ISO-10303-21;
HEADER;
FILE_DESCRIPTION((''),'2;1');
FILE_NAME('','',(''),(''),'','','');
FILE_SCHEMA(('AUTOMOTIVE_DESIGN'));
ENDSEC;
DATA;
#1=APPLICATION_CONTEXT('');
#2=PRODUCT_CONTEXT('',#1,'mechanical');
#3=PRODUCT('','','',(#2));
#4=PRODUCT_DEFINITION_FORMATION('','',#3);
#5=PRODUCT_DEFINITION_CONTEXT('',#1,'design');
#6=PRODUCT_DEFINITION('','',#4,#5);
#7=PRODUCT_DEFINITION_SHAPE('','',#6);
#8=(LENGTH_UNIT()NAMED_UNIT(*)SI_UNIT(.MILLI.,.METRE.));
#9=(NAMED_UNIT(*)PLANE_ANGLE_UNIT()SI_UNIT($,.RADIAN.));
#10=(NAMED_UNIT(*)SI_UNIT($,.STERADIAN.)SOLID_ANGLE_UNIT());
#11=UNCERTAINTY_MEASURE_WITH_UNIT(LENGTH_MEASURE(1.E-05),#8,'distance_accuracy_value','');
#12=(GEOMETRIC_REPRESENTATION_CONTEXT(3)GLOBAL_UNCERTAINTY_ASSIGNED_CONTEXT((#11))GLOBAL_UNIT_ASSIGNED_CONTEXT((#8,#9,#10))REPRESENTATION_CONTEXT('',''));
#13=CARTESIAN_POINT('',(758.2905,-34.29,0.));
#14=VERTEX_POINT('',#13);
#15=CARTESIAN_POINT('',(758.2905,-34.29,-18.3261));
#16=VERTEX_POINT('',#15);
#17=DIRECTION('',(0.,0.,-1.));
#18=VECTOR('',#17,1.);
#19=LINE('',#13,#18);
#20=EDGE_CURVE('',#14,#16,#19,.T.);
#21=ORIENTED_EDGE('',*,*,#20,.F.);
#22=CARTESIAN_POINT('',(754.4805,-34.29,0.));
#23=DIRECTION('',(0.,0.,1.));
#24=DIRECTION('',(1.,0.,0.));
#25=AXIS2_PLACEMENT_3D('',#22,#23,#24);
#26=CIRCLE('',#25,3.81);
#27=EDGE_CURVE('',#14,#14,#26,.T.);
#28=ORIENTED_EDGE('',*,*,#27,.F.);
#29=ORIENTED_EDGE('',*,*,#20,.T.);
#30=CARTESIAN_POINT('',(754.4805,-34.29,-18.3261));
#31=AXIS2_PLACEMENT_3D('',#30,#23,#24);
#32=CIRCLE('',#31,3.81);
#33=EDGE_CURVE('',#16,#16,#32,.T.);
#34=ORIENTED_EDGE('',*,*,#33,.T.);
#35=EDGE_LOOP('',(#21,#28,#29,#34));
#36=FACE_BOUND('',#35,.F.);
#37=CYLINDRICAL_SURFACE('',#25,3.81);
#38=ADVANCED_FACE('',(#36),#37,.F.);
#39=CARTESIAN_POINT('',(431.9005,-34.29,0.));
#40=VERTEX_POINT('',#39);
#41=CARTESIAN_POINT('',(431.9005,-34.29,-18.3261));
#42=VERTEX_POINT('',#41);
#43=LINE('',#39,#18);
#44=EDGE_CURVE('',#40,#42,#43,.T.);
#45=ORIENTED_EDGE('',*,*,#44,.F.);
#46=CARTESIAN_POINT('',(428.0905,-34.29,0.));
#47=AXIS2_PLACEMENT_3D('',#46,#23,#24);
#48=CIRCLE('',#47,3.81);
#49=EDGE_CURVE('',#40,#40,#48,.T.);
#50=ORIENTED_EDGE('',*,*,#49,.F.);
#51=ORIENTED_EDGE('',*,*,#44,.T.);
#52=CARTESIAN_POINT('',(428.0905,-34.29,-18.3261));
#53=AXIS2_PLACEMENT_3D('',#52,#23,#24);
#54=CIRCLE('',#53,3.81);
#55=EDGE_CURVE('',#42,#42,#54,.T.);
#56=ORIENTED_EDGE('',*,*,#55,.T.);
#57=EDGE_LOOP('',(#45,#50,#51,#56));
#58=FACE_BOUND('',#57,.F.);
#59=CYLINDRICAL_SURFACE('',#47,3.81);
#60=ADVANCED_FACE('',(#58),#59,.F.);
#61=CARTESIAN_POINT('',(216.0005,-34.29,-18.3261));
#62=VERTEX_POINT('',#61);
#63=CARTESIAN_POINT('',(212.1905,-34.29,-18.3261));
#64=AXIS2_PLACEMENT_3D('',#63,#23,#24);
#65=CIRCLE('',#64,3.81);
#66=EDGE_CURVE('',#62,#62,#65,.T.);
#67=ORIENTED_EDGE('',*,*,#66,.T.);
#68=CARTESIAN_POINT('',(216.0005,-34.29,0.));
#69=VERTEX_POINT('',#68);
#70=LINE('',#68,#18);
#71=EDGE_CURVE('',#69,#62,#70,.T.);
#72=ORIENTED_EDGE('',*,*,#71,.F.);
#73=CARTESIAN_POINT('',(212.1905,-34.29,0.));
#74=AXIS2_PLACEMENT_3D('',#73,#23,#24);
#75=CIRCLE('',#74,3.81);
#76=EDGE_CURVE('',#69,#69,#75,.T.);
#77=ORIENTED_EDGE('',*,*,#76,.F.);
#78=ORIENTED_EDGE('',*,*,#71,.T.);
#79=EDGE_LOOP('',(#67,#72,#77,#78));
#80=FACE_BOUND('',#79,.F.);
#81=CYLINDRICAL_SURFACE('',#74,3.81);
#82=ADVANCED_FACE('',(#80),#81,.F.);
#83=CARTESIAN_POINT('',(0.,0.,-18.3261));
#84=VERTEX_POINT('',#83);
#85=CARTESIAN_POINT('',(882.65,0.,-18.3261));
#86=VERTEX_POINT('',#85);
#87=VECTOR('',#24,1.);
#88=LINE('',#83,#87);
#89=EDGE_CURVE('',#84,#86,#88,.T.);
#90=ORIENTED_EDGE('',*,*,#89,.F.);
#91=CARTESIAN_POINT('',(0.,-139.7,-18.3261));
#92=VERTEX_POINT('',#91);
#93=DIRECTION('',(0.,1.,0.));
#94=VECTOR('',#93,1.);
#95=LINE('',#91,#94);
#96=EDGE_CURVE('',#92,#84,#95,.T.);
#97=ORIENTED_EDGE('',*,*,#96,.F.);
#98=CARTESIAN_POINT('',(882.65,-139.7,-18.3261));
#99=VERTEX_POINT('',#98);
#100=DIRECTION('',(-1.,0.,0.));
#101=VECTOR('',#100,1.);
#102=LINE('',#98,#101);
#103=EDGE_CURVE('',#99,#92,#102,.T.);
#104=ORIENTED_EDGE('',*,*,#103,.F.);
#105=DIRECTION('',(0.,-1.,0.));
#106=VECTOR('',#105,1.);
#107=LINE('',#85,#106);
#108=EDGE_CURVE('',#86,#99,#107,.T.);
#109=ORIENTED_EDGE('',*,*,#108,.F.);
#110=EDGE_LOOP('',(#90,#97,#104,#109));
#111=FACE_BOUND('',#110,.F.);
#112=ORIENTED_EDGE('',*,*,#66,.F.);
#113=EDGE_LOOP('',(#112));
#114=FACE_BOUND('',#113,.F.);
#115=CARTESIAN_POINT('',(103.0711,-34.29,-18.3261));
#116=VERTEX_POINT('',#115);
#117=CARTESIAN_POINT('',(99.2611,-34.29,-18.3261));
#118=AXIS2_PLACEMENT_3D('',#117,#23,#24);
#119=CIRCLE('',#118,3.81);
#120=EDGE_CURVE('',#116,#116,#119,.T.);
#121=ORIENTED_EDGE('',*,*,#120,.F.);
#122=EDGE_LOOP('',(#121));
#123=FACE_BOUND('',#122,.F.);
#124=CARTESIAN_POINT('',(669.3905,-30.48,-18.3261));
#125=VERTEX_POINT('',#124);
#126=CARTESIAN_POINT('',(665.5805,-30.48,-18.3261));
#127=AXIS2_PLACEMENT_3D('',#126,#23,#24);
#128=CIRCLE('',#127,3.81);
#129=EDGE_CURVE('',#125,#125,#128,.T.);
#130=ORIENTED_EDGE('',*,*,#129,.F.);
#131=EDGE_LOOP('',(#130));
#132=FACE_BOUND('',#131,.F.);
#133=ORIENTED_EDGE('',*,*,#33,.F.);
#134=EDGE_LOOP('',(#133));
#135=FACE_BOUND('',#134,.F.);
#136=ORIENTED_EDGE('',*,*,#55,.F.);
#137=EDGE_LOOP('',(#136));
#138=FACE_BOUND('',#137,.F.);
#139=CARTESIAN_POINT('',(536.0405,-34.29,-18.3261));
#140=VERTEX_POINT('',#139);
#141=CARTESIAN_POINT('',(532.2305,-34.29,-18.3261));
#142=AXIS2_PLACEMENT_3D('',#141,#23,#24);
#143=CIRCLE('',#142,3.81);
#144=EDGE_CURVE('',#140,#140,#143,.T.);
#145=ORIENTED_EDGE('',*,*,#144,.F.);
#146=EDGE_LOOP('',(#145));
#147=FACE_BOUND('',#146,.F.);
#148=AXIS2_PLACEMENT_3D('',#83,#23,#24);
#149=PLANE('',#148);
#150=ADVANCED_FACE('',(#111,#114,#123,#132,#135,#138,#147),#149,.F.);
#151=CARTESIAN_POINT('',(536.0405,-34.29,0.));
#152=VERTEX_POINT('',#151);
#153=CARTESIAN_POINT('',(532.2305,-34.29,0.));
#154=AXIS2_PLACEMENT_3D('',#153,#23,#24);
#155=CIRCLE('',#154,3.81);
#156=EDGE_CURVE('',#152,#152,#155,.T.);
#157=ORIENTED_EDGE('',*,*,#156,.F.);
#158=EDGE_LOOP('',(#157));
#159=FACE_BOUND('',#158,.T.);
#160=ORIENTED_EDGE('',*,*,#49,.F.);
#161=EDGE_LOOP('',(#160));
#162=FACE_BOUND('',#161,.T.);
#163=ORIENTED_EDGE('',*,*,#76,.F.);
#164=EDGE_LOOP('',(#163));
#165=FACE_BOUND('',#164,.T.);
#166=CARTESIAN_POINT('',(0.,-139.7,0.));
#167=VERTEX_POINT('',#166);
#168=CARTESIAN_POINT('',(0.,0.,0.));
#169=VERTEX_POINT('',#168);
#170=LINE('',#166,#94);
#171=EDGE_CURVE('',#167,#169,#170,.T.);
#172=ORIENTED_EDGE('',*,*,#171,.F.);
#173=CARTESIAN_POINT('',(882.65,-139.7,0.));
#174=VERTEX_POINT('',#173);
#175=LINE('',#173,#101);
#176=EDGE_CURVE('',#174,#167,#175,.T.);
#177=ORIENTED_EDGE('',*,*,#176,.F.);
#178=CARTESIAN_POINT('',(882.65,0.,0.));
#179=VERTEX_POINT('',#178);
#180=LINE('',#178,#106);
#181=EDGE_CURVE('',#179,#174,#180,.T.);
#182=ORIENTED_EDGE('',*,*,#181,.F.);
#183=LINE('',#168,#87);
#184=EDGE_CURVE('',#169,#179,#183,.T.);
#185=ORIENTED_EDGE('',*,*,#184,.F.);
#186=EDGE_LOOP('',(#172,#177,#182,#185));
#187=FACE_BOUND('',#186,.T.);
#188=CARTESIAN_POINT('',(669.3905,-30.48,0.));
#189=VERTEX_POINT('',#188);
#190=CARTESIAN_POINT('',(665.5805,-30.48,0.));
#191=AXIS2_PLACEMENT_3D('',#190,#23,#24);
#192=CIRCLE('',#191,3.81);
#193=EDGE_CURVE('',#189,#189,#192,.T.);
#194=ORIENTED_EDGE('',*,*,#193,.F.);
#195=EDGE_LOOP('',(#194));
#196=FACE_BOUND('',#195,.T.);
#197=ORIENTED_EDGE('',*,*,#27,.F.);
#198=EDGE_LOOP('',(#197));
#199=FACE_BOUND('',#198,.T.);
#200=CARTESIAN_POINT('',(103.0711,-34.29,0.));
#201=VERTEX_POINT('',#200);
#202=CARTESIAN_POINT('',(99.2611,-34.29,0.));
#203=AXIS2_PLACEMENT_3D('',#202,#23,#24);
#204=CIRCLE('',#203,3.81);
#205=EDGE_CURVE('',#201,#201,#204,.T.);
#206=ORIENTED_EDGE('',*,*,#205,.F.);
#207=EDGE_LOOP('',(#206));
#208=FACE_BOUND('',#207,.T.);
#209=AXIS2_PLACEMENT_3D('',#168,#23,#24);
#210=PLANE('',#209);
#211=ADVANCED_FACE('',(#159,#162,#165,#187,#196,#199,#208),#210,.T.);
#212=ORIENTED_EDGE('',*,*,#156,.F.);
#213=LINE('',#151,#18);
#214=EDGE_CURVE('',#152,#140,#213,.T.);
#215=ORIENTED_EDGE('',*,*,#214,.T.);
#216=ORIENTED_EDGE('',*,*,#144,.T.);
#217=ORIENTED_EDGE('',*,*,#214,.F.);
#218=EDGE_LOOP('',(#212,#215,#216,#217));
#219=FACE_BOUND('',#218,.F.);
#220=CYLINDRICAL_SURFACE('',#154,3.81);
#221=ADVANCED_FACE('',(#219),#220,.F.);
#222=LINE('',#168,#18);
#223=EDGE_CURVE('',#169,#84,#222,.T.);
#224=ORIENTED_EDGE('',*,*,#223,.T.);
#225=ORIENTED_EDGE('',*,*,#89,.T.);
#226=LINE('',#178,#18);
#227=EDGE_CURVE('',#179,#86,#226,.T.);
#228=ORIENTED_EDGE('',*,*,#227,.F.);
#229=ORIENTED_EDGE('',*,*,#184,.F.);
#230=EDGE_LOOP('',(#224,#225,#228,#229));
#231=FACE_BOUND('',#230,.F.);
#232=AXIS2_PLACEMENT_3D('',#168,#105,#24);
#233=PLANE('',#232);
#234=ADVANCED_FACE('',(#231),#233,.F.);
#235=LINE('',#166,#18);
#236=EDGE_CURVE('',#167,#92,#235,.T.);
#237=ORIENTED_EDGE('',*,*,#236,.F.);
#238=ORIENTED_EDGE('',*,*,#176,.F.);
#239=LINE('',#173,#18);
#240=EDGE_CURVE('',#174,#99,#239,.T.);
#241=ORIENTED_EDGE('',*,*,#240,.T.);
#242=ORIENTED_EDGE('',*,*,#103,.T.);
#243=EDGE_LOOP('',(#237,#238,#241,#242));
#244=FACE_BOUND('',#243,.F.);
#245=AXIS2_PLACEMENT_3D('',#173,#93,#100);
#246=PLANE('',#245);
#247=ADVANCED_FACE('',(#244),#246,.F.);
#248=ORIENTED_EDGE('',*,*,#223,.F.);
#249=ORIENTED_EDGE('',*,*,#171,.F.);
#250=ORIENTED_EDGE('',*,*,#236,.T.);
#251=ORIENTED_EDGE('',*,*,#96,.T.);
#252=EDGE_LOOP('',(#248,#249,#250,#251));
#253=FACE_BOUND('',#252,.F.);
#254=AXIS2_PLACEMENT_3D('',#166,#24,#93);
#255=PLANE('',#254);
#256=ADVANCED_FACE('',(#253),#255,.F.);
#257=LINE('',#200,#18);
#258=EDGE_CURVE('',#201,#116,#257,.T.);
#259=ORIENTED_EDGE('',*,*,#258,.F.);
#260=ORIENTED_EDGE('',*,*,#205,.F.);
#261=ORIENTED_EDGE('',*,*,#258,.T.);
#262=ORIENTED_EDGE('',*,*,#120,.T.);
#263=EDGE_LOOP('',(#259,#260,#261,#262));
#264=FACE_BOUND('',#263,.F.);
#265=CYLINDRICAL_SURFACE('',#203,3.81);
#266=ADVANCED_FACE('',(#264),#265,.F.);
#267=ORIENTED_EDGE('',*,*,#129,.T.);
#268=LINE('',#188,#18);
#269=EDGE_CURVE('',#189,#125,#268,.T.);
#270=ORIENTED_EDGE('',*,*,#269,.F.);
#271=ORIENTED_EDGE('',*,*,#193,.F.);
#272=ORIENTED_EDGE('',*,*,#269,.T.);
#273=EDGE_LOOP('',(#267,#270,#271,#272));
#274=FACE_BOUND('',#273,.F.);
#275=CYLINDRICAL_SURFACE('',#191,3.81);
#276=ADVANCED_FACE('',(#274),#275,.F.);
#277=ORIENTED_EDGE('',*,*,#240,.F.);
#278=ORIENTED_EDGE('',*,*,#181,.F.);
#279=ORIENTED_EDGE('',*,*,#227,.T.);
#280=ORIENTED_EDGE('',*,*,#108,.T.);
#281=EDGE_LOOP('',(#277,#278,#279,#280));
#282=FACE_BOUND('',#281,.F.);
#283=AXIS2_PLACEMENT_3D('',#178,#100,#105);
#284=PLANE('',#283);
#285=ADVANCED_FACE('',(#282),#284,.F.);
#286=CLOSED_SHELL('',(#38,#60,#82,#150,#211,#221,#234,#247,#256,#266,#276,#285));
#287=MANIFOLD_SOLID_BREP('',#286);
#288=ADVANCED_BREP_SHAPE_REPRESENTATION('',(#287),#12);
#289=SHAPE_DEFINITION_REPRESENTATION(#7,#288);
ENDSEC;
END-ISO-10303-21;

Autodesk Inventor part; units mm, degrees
ref_plane "YZ Plane" through (0, 0, 0) normal (1, 0, 0) x (0, 1, 0)
ref_plane "XZ Plane" through (0, 0, 0) normal (0, 1, 0) x (-1, 0, 0)
ref_plane "XY Plane" through (0, 0, 0) normal (0, 0, 1) x (1, 0, 0)
sketch "Sketch1" plane through (0, 0, 0) normal (0, 0, 1) x (1, 0, 0)
  line L0 (0, 0) -> (882.65, 0)
  line L1 (882.65, 0) -> (882.65, -139.7)
  line L2 (882.65, -139.7) -> (0, -139.7)
  line L3 (0, -139.7) -> (0, 0)
  circle A0 centre (754.4805, -34.29) radius 3.81
  circle A1 centre (665.5805, -30.48) radius 3.81
  circle A2 centre (532.2305, -34.29) radius 3.81
  circle A3 centre (428.0905, -34.29) radius 3.81
  circle A4 centre (212.1905, -34.29) radius 3.81
  circle A5 centre (99.2611, -34.29) radius 3.81
  dimension "d0" = 882.65
  dimension "d1" = 139.7
  dimension "d2" = 7.62
  dimension "d4" = 7.62
  dimension "d6" = 7.62
  dimension "d8" = 7.62
  dimension "d9" = 104.14
  dimension "d10" = 7.62
  dimension "d11" = 215.9
  dimension "d12" = 7.62
  dimension "d16" = 105.41
  dimension "d17" = 105.41
  dimension "d18" = 105.41
  dimension "d19" = 105.41
  dimension "d21" = 105.41
  dimension "d22" = 105.41
  dimension "d23" = 88.9
  dimension "d24" = 133.35
extrude "Extrusion1" add sketch "Sketch1" against normal blind 18.3261
properties part number "Kermit bumper 2 large ( middle not finished yet)"
